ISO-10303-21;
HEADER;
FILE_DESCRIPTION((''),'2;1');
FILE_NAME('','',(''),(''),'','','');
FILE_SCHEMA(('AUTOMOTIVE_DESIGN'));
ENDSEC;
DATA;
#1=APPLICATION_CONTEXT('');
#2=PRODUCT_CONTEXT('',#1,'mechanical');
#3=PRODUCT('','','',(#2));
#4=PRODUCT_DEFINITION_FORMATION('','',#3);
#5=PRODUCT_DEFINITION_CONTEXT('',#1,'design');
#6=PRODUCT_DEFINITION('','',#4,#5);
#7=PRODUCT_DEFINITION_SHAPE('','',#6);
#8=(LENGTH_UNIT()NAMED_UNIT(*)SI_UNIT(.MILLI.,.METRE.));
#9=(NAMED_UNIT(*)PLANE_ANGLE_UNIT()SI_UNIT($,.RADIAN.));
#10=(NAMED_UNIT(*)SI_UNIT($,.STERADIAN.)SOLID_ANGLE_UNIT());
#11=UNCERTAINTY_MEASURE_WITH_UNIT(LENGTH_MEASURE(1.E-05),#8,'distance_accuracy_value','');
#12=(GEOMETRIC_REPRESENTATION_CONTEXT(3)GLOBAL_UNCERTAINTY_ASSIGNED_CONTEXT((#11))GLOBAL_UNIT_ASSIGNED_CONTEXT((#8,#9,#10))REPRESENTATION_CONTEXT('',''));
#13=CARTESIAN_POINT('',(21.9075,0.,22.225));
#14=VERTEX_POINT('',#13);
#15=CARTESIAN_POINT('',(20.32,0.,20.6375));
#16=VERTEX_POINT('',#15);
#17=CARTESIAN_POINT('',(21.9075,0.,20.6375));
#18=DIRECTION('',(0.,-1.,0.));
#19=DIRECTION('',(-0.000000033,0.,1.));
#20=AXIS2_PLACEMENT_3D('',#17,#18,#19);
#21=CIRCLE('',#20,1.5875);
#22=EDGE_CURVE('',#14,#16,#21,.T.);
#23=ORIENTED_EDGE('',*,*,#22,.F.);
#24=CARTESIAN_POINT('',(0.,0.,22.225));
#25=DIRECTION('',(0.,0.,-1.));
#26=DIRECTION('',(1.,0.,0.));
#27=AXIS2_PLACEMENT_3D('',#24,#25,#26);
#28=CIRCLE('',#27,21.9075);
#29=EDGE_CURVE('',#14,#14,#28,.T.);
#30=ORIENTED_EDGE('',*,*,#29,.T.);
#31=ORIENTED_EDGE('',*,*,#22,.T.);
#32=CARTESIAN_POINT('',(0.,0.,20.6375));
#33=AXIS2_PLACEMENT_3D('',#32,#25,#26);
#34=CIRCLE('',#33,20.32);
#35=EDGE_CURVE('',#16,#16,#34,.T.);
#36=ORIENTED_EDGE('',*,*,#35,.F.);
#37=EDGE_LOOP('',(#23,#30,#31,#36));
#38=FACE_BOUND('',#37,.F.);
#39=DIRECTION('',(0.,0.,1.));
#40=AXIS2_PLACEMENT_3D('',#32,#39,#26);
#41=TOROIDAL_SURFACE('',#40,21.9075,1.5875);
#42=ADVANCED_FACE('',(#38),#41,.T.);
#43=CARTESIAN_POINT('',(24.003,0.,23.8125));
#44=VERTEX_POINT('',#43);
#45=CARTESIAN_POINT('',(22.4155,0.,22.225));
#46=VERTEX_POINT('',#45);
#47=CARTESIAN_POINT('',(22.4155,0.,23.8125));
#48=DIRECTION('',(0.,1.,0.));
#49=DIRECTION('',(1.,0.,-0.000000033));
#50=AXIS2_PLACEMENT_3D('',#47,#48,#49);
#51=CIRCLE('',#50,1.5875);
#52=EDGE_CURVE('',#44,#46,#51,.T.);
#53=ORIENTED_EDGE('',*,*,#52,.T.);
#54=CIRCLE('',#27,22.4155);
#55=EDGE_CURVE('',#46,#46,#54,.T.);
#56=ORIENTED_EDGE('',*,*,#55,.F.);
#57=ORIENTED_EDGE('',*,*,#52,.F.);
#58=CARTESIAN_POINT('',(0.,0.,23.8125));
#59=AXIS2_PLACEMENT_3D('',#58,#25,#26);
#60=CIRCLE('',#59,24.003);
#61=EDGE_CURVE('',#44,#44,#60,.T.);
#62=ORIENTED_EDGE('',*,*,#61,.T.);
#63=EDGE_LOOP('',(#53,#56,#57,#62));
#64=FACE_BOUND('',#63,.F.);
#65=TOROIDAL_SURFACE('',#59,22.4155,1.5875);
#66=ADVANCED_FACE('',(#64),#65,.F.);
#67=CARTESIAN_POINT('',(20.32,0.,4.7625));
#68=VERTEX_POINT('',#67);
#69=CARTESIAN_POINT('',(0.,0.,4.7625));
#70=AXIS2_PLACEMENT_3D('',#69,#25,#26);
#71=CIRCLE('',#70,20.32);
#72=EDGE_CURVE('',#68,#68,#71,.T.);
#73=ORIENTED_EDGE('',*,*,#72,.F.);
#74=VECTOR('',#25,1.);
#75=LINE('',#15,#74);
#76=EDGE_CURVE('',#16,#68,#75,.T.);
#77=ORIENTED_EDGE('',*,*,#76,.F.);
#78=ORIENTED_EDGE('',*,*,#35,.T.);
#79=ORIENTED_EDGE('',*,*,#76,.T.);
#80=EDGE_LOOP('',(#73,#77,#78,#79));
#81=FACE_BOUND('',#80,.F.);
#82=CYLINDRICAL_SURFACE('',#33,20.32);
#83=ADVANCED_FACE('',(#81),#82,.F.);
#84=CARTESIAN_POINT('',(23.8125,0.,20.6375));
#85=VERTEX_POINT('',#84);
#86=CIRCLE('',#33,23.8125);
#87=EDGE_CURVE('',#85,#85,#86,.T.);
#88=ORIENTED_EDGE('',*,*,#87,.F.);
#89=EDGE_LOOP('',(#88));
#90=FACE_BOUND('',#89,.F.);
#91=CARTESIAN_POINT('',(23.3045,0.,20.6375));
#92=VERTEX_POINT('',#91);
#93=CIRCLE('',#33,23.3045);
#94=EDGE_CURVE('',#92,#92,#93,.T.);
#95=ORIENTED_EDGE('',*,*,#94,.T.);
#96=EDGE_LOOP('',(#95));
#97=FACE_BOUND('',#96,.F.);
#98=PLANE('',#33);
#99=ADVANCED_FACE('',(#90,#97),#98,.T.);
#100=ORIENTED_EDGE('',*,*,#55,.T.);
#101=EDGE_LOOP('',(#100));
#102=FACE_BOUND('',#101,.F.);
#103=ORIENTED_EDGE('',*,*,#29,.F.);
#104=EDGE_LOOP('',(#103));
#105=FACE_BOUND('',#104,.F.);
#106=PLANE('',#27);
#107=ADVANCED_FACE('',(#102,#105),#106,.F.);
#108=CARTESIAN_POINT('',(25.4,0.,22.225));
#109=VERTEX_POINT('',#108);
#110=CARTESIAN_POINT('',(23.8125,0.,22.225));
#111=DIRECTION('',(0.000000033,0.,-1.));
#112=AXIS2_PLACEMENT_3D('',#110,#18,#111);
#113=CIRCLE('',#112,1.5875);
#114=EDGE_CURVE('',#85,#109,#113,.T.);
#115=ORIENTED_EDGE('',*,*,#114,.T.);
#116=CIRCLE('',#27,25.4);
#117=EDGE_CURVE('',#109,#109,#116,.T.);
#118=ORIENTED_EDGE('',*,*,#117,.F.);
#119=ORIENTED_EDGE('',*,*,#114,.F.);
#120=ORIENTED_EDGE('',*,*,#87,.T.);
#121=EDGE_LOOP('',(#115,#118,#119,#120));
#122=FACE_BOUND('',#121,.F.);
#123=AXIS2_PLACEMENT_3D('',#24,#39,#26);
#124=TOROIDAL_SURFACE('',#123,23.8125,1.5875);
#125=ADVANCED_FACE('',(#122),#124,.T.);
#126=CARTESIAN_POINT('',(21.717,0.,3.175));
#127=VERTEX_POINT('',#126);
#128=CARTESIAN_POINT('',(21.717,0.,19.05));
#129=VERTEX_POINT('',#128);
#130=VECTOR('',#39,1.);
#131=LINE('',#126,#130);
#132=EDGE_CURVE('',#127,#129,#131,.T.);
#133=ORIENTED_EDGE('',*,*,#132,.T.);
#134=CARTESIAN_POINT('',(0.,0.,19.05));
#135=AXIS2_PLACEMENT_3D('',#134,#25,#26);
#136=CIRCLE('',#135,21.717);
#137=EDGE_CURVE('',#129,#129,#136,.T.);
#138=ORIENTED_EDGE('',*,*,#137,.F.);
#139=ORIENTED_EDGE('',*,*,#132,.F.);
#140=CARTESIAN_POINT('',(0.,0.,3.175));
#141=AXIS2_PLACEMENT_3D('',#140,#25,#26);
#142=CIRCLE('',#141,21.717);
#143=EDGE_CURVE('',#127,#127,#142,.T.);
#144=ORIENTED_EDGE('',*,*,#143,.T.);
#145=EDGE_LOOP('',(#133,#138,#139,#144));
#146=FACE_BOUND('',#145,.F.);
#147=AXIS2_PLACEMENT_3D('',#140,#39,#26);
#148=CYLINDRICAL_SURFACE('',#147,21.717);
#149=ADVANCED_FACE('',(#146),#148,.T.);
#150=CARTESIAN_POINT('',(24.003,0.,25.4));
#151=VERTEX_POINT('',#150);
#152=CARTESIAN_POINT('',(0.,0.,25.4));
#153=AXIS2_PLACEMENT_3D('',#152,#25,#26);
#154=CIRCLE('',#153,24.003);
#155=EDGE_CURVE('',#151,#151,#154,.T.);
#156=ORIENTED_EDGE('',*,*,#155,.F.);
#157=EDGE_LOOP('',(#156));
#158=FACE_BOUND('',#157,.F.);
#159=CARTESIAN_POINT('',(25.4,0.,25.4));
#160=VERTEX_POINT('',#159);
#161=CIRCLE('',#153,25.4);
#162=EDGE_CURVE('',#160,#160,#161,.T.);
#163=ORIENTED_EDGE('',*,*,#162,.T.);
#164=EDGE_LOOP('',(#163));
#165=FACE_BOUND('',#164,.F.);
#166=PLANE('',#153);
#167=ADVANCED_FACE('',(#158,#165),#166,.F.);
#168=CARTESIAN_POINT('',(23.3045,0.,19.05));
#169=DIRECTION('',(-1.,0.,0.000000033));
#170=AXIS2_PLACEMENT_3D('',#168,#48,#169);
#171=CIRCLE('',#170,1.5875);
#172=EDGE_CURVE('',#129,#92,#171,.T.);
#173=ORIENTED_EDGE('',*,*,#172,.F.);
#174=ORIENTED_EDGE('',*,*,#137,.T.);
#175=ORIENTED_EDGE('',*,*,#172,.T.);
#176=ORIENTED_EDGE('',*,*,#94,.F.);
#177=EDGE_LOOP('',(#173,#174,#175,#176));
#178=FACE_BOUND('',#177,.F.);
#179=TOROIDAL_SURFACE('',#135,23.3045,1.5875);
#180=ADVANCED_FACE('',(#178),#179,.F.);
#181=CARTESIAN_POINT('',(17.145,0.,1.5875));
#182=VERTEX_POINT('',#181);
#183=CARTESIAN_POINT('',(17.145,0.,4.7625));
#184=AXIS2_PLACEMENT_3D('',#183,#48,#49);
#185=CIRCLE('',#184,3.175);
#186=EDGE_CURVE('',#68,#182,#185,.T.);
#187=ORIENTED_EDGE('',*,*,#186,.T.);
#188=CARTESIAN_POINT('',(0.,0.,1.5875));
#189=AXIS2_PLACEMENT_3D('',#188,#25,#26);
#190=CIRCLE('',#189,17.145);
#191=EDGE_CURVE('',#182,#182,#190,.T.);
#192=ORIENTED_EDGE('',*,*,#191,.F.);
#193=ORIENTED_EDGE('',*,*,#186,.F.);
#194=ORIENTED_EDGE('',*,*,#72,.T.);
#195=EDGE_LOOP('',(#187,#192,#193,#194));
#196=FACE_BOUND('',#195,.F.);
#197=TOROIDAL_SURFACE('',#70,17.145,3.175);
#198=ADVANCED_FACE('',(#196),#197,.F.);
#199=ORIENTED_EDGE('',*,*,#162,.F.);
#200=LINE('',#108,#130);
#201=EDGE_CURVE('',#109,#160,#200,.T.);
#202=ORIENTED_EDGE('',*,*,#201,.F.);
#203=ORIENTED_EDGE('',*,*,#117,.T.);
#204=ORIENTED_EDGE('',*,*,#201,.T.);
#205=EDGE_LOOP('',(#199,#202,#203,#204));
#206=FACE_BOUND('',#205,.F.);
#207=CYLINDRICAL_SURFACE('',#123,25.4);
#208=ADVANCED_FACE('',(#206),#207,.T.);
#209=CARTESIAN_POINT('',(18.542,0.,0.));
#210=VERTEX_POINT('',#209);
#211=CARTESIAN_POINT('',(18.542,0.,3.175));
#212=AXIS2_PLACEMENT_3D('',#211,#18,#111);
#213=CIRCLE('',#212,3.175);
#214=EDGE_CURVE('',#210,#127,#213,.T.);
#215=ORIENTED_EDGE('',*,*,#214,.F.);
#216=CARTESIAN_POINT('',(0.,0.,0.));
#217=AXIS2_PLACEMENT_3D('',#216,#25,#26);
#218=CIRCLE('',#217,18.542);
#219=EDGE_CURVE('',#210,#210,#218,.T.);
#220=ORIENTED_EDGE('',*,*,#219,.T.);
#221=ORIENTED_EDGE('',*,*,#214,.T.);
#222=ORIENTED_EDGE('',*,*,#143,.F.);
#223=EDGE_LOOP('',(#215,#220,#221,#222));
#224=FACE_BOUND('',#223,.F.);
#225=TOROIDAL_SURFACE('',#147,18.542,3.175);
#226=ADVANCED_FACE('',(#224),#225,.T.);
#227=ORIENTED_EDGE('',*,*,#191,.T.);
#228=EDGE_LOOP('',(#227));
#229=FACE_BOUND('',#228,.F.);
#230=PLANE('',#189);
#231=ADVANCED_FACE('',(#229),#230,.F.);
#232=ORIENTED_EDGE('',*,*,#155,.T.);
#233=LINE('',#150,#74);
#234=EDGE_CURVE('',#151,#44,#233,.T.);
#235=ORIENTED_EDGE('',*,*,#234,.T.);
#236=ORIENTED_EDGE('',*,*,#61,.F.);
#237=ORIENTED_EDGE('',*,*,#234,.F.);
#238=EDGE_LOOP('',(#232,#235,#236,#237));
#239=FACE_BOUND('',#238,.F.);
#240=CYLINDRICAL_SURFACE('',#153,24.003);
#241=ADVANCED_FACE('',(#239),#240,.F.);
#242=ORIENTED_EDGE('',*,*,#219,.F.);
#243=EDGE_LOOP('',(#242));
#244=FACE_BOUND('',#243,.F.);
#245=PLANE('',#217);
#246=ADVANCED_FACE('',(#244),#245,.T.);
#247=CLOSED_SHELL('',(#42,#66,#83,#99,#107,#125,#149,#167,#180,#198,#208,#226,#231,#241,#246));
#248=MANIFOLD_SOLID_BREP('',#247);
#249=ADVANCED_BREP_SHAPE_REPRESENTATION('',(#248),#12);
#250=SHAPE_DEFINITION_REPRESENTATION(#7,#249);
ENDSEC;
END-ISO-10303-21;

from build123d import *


with BuildPart() as f1:
    # F0 (on Front) → F1 (revolve)
    with BuildSketch(Plane.XZ):
        with BuildLine():
            Line((0, 1.5875), (0, 0))
            Line((0, 0), (18.542, 0))
            ThreePointArc((18.542, 0), (20.787064, 0.929936), (21.717, 3.175))
            Line((21.717, 3.175), (21.717, 19.05))
            ThreePointArc((21.717, 19.05), (22.181968, 20.172532), (23.3045, 20.6375))
            Line((23.3045, 20.6375), (23.8125, 20.6375))
            ThreePointArc((23.8125, 20.6375), (24.935032, 21.102468), (25.4, 22.225))
            Line((25.4, 22.225), (25.4, 25.4))
            Line((25.4, 25.4), (24.003, 25.4))
            Line((24.003, 25.4), (24.003, 23.8125))
            ThreePointArc((24.003, 23.8125), (23.538032, 22.689968), (22.4155, 22.225))
            Line((22.4155, 22.225), (21.9075, 22.225))
            ThreePointArc((21.9075, 22.225), (20.784968, 21.760032), (20.32, 20.6375))
            Line((20.32, 20.6375), (20.32, 4.7625))
            ThreePointArc((20.32, 4.7625), (19.390064, 2.517436), (17.145, 1.5875))
            Line((17.145, 1.5875), (0, 1.5875))
        make_face()
    revolve(axis=Axis((0, 0, 0.79375), (0, 0, -1)))


solid = f1.part
